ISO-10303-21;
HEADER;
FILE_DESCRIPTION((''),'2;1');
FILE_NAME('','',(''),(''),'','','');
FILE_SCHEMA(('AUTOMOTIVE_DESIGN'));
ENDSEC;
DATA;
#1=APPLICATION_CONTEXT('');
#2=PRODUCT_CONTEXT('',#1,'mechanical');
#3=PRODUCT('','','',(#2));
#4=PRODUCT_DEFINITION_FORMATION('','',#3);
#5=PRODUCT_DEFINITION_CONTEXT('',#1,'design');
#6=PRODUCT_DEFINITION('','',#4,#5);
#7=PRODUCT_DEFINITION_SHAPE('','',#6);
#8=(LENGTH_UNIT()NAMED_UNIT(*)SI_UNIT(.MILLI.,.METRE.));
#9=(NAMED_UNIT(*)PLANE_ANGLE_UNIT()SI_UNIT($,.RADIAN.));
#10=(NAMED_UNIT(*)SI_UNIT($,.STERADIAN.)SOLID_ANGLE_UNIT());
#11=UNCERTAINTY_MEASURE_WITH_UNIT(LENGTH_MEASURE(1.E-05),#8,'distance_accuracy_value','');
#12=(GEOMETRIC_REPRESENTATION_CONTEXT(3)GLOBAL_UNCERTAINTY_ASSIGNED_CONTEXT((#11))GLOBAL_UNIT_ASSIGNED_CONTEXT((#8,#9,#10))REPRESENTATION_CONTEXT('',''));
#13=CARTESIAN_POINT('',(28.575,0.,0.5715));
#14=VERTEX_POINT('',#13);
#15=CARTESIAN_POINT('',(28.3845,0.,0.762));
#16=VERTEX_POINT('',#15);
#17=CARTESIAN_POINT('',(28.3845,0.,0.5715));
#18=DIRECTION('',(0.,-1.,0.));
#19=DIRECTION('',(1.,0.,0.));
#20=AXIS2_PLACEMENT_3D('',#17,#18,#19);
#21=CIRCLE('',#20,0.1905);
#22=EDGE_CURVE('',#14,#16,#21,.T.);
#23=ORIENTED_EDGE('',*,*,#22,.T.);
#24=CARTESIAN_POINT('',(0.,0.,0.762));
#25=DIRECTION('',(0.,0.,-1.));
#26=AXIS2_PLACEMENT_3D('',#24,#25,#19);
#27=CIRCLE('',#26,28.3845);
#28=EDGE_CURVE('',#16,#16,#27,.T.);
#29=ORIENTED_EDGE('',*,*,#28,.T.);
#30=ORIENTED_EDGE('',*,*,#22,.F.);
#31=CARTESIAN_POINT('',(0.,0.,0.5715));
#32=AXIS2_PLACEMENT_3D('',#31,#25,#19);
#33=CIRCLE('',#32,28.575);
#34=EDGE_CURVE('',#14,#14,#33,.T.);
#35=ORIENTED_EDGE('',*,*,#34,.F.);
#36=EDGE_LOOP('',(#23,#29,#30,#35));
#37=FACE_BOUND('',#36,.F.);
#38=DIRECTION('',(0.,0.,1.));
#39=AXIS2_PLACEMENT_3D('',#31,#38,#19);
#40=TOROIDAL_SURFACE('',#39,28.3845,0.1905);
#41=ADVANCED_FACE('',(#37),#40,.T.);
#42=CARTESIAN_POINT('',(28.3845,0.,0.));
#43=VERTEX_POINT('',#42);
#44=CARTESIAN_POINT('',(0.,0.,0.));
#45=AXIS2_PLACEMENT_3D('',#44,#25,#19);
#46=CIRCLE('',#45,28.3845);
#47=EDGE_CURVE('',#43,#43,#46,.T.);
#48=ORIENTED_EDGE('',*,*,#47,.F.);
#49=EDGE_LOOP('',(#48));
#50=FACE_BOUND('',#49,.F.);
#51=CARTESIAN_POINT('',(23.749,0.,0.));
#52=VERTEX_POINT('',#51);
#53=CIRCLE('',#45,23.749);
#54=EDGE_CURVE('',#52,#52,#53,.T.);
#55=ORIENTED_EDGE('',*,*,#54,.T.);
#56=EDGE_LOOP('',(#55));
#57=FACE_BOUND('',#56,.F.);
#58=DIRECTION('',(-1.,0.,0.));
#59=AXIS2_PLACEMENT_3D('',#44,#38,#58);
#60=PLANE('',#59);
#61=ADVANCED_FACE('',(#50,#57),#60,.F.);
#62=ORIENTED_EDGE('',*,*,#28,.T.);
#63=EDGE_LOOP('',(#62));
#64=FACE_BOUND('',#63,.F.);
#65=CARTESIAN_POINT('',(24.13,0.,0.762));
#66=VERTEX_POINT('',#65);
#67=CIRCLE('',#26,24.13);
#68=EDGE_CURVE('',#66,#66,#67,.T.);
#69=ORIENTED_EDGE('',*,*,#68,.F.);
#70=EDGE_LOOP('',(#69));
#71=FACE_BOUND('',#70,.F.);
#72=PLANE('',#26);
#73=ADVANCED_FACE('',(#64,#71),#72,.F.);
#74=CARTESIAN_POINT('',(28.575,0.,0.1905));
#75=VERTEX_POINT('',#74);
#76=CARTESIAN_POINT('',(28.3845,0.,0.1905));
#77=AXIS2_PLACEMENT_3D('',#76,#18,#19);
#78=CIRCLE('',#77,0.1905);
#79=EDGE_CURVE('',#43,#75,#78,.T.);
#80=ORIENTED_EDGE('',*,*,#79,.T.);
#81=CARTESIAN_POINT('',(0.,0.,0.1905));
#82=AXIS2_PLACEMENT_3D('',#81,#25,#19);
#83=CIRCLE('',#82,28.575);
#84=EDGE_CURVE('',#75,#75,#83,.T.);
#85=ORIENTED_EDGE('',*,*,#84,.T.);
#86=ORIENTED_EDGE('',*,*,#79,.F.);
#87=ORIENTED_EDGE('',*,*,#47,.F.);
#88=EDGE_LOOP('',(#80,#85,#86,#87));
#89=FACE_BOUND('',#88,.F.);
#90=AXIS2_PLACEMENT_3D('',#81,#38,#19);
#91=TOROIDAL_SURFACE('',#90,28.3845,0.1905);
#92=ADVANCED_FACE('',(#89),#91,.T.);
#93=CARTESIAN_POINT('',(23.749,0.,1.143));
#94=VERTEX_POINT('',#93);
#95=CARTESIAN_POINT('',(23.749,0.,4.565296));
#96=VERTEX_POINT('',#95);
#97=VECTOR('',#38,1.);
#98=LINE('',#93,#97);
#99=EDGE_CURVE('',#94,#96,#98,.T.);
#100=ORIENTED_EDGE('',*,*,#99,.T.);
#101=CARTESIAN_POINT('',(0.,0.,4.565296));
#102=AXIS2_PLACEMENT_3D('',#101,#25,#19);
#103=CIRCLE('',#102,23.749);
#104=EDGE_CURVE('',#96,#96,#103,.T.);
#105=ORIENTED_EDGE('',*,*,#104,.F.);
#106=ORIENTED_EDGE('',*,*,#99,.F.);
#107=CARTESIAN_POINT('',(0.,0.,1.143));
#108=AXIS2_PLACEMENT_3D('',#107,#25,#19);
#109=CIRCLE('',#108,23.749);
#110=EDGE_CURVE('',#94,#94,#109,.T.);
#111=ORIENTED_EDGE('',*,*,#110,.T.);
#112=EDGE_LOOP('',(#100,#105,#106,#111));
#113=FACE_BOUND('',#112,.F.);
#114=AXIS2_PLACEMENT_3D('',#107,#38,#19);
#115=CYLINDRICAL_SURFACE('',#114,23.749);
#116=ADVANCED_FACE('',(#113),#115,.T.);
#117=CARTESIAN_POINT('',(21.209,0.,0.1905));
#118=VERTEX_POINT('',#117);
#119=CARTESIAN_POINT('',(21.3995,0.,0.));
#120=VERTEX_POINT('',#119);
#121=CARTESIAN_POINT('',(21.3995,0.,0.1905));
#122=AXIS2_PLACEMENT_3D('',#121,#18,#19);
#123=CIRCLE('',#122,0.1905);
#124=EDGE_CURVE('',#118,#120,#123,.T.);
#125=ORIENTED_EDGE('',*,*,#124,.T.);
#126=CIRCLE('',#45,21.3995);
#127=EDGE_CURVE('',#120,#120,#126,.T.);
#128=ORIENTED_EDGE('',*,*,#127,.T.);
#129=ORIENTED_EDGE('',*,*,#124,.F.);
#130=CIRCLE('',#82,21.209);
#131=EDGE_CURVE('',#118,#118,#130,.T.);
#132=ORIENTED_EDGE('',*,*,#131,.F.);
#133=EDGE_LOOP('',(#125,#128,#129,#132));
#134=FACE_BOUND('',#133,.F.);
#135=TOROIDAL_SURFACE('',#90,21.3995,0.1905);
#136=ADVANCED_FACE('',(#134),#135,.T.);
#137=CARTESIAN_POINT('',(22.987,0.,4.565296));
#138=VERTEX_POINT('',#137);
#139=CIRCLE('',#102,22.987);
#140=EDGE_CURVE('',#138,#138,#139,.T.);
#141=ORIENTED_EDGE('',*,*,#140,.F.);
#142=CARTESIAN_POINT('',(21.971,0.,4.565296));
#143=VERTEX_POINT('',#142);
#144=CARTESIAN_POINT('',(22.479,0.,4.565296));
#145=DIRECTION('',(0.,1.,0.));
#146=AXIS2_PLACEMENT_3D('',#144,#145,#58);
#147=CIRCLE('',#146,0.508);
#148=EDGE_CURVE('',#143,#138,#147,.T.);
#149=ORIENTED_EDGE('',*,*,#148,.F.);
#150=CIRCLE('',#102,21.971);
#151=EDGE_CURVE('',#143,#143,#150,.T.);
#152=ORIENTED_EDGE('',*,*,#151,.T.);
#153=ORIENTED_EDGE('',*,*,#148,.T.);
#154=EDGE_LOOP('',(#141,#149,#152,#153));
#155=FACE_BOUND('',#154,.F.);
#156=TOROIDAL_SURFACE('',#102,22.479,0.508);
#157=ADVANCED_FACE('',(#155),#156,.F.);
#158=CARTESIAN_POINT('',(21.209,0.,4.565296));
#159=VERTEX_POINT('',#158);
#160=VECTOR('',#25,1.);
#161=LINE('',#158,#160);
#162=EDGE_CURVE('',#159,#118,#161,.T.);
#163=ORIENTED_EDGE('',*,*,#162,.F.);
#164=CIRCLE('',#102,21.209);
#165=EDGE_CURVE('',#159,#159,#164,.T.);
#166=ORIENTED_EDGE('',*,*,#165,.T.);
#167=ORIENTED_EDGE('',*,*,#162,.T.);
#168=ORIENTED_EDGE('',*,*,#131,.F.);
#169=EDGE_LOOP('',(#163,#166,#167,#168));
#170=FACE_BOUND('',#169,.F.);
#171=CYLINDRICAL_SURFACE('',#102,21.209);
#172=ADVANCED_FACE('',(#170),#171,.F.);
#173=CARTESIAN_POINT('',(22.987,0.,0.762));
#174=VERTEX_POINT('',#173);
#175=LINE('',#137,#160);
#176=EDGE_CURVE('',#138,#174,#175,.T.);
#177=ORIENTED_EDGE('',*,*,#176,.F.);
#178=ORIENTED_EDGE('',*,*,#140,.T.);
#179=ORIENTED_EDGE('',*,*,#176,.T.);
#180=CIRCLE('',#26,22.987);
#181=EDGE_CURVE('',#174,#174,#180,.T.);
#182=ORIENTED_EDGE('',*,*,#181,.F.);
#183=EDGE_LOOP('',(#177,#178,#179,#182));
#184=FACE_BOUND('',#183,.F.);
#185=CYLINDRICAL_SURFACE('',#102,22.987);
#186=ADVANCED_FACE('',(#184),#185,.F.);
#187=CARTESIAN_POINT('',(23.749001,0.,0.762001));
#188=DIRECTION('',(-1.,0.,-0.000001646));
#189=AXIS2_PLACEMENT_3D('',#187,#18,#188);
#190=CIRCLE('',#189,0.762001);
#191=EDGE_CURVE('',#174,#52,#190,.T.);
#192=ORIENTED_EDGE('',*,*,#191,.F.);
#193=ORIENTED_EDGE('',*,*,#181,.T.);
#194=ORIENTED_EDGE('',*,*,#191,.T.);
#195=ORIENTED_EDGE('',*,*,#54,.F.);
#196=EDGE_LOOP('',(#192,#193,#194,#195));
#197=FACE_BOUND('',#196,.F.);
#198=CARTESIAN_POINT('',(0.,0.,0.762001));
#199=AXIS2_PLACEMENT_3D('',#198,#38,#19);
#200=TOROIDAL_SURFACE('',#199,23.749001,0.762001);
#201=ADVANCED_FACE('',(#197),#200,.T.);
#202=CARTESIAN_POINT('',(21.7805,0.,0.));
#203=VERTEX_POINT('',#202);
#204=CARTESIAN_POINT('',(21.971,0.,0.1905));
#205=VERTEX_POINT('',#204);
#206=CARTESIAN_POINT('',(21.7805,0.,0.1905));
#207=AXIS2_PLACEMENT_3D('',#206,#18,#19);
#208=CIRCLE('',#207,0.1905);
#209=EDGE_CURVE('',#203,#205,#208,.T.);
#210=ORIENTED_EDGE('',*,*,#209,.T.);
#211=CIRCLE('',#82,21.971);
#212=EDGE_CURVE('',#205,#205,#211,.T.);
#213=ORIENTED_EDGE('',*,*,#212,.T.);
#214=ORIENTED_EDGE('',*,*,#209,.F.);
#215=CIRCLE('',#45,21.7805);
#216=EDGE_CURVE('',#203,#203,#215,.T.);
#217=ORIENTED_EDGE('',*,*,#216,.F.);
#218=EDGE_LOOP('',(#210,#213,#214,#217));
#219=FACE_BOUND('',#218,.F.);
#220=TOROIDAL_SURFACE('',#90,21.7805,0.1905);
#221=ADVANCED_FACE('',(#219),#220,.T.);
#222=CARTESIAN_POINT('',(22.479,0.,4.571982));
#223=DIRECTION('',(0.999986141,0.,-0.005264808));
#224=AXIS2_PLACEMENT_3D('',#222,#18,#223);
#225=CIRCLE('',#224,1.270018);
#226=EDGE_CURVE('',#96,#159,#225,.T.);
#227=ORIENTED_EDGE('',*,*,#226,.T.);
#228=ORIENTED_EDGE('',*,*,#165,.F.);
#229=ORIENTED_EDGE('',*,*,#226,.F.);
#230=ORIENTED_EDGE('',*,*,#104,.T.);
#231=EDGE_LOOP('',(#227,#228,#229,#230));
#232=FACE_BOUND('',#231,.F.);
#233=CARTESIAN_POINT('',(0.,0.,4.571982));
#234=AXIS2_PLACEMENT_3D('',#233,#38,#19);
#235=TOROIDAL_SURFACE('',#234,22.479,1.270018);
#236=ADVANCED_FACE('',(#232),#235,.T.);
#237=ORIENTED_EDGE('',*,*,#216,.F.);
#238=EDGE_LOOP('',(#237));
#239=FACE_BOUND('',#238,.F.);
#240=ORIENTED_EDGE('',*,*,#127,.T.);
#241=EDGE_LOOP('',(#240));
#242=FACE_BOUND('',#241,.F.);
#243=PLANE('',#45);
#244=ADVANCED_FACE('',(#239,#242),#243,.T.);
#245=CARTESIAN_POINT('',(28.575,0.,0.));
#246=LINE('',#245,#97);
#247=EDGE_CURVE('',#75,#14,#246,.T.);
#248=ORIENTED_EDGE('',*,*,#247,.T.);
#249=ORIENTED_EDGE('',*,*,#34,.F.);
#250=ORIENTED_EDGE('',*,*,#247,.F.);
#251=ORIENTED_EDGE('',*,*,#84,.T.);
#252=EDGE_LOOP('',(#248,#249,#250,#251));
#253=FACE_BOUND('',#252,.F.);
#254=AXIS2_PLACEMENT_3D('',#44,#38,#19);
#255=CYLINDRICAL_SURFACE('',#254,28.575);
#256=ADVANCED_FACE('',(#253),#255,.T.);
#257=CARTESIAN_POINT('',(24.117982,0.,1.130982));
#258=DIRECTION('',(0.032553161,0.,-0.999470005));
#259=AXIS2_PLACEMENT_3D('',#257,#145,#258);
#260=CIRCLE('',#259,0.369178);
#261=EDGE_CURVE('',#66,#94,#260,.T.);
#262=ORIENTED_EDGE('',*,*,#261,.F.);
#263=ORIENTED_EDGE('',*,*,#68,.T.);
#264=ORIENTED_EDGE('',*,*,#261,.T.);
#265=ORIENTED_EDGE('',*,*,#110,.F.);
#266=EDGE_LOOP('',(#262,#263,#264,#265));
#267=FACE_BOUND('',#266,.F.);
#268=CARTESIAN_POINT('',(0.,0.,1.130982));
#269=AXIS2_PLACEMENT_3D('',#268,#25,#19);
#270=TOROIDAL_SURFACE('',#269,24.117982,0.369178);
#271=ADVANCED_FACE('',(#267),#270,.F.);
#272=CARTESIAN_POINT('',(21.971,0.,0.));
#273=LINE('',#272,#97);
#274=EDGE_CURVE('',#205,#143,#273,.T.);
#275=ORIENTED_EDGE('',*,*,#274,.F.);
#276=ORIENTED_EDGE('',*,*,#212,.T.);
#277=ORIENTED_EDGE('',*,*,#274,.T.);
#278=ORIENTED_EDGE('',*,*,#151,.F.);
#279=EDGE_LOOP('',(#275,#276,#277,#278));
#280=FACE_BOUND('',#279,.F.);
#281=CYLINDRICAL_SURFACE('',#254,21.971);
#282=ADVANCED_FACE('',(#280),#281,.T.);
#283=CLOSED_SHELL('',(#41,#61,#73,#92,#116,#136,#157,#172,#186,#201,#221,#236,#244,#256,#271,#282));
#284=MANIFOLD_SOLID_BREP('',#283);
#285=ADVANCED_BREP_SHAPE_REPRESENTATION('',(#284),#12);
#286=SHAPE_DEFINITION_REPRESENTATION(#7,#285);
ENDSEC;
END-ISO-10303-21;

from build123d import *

# Parameters (mm, degrees)
F2_R = 0.1905


with BuildPart() as f1:
    # F0 (on Front) → F1 (revolve)
    with BuildSketch(Plane.XZ):
        with BuildLine():
            Line((23.749, 1.143), (23.749, 4.565296))
            ThreePointArc((23.749, 4.565296), (22.479, 5.842), (21.209, 4.565296))
            Line((21.209, 4.565296), (21.209, 0))
            Line((21.209, 0), (21.971, 0))
            Line((21.971, 0), (21.971, 4.565296))
            ThreePointArc((21.971, 4.565296), (22.479, 5.073296), (22.987, 4.565296))
            Line((22.987, 4.565296), (22.987, 1.143))
            Line((22.987, 1.143), (22.987, 0.762))
            ThreePointArc((22.987, 0.762), (23.210185, 0.223185), (23.749, 0))
            Line((23.749, 0), (24.13, 0))
            Line((24.13, 0), (28.575, 0))
            Line((28.575, 0), (28.575, 0.762))
            Line((28.575, 0.762), (24.13, 0.762))
            ThreePointArc((24.13, 0.762), (23.856934, 0.869934), (23.749, 1.143))
        make_face()
    revolve(axis=Axis((0, 0, -1.547879), (0, 0, -1)))

    # F2
    f2_edges = [f1.edges().sort_by_distance(p)[0] for p in [
        (-28.575, 0, 0),
        (-21.971, 0, 0),
        (-21.209, 0, 0),
        (-28.575, 0, 0.762),
    ]]
    fillet(f2_edges, radius=F2_R)


solid = f1.part
